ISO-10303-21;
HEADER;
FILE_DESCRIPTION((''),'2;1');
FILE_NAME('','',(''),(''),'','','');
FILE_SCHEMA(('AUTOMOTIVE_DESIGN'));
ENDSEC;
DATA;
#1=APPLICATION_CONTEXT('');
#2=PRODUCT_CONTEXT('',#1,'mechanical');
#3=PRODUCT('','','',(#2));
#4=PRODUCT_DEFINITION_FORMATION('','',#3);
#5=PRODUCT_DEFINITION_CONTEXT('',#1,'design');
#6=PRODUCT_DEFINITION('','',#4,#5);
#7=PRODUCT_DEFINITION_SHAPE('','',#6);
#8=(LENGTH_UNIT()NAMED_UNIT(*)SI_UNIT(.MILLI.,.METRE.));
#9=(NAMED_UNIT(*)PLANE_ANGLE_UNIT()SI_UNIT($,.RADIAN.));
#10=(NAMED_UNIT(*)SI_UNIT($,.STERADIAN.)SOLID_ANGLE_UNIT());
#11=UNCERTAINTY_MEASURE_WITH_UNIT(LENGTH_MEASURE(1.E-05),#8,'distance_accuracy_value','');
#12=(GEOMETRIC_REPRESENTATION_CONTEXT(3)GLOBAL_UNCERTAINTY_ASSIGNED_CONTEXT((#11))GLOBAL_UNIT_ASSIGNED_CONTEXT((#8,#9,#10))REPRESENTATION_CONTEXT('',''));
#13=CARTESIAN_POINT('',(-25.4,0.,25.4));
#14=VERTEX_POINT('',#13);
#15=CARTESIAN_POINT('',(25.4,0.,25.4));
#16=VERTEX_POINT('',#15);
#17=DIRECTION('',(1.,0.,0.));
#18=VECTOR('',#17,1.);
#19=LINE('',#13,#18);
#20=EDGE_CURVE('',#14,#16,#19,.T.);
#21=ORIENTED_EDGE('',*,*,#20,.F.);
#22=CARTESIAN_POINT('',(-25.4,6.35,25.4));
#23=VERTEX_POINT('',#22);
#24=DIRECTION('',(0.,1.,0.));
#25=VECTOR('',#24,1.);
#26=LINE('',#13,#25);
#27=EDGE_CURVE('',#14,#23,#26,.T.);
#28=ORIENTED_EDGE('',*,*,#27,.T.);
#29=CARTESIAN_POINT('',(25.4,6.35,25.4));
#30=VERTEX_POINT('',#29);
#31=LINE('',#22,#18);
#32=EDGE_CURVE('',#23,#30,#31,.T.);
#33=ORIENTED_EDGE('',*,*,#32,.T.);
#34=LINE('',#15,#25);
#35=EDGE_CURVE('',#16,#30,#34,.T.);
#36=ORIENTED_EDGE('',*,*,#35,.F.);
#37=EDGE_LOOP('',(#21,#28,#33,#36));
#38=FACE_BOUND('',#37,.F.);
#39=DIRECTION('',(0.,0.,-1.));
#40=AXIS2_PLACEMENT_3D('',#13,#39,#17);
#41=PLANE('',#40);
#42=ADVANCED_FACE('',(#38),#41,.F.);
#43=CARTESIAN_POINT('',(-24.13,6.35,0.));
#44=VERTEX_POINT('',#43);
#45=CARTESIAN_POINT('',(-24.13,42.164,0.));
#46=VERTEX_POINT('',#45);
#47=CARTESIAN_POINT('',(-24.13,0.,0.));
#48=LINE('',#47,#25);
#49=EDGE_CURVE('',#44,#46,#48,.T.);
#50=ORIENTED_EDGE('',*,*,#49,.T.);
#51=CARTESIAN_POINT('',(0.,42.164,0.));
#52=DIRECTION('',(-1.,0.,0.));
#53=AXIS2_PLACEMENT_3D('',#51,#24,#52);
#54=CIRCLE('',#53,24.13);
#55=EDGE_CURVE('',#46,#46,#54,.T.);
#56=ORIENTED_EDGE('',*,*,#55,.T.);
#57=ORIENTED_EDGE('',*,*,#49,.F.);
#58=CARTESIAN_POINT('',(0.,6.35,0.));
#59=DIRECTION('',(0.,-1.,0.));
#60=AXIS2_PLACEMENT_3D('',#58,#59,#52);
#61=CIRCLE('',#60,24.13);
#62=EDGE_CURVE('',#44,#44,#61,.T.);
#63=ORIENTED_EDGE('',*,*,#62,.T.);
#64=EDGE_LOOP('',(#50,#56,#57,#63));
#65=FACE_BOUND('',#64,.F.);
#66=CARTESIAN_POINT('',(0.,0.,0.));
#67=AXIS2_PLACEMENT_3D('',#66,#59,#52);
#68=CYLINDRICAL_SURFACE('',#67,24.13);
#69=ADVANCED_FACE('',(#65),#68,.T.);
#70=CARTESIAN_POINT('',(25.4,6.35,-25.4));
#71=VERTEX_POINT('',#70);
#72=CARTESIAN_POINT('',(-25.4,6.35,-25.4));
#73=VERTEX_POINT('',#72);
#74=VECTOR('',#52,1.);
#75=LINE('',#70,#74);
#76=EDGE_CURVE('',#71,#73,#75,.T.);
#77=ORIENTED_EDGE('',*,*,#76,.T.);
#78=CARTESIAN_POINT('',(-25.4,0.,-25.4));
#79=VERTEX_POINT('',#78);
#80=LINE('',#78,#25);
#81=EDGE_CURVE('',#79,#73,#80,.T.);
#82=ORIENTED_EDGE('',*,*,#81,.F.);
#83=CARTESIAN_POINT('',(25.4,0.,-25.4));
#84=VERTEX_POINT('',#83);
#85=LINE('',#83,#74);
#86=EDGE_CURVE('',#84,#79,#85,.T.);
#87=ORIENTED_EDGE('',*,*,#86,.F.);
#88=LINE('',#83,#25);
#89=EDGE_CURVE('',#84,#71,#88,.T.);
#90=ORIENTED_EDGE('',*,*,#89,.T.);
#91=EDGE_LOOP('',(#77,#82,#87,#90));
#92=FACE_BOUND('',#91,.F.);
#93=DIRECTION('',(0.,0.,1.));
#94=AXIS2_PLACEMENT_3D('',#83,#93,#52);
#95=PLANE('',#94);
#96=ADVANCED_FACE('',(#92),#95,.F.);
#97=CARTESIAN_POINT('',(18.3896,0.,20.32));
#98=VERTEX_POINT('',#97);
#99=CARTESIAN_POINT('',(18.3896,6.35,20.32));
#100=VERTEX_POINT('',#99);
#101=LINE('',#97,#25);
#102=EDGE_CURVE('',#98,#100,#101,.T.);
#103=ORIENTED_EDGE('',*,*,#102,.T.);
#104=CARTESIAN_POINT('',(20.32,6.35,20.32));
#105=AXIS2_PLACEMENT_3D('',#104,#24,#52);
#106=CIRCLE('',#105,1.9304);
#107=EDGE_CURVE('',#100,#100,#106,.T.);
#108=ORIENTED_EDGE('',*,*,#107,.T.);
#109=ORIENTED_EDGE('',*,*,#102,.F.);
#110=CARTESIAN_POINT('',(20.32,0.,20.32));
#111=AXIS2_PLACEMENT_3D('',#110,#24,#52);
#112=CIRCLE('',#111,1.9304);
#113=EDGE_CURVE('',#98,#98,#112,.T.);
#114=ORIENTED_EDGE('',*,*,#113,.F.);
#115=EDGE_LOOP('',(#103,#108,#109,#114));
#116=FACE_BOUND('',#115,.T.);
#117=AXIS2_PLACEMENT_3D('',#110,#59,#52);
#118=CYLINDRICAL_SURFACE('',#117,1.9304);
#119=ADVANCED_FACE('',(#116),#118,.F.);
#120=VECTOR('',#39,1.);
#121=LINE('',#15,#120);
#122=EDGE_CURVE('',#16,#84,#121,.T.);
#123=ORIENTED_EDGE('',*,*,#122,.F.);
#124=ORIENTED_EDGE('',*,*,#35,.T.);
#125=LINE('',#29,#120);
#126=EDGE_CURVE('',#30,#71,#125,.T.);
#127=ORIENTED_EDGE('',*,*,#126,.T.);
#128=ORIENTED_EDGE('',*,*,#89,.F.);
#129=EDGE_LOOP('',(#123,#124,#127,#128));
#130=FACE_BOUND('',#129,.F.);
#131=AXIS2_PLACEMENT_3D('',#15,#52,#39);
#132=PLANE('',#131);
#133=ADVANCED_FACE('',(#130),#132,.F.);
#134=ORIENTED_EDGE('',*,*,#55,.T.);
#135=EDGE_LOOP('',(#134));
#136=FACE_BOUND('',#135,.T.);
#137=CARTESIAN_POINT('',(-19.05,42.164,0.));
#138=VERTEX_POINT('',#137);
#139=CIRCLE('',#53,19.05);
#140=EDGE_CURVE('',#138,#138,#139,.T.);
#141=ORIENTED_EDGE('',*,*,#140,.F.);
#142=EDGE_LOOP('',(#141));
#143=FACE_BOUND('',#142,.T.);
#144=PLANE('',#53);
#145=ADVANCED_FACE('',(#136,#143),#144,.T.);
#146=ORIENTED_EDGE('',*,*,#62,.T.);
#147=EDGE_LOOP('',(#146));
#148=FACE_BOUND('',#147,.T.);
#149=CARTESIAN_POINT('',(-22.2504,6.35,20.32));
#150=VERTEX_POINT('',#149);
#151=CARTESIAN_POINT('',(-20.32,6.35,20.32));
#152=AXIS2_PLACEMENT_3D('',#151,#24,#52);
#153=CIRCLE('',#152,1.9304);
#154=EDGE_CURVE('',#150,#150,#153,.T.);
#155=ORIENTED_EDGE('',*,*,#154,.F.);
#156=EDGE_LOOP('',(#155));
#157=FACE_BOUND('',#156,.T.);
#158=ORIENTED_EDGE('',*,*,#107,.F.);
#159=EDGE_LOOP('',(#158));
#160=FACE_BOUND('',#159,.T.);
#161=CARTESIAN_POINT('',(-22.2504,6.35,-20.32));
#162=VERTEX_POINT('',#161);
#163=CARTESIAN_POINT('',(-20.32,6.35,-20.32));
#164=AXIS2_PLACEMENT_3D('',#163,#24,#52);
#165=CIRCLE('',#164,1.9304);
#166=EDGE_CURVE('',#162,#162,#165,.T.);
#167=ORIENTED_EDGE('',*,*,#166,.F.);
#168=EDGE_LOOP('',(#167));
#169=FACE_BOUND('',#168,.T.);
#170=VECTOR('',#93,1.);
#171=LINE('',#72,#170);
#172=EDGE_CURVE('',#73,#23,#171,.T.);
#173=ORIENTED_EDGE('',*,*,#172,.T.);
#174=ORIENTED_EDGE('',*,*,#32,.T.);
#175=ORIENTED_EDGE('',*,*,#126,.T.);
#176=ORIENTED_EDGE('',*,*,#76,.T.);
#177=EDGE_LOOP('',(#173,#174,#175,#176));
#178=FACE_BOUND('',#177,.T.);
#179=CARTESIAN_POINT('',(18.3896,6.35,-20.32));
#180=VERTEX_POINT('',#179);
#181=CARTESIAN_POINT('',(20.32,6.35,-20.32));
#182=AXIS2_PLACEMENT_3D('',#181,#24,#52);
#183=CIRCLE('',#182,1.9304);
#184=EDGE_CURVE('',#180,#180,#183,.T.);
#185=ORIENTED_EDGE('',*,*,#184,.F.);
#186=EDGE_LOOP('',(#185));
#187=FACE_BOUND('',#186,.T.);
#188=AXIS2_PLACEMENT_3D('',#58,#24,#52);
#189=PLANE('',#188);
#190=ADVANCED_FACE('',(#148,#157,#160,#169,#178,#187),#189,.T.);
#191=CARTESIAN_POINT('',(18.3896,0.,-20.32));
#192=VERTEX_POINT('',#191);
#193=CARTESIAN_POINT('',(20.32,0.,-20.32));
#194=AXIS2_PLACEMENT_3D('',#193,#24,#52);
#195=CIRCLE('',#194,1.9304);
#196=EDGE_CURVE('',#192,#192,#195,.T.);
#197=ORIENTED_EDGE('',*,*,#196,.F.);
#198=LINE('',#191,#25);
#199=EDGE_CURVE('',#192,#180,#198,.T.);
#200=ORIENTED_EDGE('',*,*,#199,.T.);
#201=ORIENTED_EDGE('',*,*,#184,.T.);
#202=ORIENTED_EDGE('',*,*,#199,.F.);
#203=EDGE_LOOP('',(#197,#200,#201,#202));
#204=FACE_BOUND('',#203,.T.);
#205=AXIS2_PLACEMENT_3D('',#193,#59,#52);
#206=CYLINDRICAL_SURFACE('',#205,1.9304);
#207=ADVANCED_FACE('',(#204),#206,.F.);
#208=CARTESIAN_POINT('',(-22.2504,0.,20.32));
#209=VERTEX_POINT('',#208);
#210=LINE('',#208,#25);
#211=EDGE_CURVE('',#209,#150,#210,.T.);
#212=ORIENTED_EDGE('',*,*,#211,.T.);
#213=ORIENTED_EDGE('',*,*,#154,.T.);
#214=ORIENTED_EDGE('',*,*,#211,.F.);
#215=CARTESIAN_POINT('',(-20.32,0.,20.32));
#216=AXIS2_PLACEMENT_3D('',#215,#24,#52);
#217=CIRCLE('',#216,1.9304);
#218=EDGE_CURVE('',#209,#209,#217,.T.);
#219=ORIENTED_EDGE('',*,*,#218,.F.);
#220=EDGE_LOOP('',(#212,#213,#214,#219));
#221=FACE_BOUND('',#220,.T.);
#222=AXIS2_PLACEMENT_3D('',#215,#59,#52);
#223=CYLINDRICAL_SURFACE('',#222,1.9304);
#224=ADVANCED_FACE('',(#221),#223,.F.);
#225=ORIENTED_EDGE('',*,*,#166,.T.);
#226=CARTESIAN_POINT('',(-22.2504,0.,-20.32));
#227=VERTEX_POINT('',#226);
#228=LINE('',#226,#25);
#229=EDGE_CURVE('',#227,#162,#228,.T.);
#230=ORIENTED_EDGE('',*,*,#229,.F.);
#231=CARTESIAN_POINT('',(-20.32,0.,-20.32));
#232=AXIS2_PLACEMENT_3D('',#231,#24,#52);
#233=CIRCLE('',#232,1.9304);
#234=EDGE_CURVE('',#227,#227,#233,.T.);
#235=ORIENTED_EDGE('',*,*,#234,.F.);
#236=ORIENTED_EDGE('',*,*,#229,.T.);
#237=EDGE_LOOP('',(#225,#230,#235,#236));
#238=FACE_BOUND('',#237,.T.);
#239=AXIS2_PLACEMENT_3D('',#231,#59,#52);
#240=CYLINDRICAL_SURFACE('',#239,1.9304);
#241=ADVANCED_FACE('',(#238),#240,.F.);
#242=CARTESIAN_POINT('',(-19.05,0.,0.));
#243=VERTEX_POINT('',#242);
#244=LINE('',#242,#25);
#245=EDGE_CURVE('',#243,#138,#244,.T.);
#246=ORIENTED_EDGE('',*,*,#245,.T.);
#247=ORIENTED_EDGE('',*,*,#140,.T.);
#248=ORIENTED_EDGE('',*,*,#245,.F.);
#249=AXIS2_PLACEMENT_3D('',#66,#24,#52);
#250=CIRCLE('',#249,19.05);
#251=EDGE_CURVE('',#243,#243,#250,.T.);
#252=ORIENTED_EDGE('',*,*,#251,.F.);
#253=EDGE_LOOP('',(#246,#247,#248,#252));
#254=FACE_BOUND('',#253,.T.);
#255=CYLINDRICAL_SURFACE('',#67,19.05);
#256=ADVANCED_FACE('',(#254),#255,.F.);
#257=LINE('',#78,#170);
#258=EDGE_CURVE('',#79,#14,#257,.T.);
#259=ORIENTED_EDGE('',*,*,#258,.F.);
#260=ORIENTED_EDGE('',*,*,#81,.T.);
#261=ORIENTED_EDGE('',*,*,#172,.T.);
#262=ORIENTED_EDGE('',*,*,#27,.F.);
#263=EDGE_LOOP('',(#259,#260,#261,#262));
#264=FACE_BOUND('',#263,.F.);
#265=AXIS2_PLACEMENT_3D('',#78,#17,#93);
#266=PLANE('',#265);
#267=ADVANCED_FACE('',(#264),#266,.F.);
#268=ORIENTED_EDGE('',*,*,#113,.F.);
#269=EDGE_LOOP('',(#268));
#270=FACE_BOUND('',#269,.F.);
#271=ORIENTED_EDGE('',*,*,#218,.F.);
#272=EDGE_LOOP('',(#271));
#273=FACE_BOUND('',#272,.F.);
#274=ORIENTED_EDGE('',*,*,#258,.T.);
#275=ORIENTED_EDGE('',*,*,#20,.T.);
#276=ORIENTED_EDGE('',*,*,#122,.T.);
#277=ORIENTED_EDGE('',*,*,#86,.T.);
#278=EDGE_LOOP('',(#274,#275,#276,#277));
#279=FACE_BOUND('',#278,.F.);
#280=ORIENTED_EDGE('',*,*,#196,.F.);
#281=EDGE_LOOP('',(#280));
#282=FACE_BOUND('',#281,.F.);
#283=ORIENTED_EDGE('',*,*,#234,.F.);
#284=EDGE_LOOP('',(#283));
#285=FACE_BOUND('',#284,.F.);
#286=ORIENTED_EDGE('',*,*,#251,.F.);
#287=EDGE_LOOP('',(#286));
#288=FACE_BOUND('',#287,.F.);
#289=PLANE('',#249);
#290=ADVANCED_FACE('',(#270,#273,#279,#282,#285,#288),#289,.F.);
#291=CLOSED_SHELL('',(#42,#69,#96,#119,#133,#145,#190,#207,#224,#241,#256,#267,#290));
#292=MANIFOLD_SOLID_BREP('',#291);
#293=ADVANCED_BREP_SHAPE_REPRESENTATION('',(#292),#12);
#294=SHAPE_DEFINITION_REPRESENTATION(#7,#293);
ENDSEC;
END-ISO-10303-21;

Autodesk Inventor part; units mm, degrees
ref_plane "YZ Plane" through (0, 0, 0) normal (1, 0, 0) x (0, 1, 0)
ref_plane "XZ Plane" through (0, 0, 0) normal (0, 1, 0) x (-1, 0, 0)
ref_plane "XY Plane" through (0, 0, 0) normal (0, 0, 1) x (1, 0, 0)
sketch "Sketch1" plane through (0, 0, 0) normal (0, 1, 0) x (-1, 0, 0)
  circle A0 centre (0, 0) radius 19.05
  circle A1 centre (0, 0) radius 24.13
  line L0 (25.4, 25.4) -> (-25.4, 25.4)
  line L1 (-25.4, 25.4) -> (-25.4, -25.4)
  line L2 (-25.4, -25.4) -> (25.4, -25.4)
  line L3 (25.4, -25.4) -> (25.4, 25.4)
  line L4 (-25.4, -25.4) -> (-12.1092, -25.4) construction
  circle A2 centre (-20.32, -20.32) radius 1.9304
  circle A3 centre (-20.32, 20.32) radius 1.9304
  circle A4 centre (20.32, -20.32) radius 1.9304
  circle A5 centre (20.32, 20.32) radius 1.9304
  dimension "d10" = 50.8
  dimension "d11" = 50.8
  dimension "d20" = 3.8608
  dimension "d25" = 3.8608
  dimension "d26" = 3.8608
  dimension "d27" = 3.8608
extrude "Extrusion1" add sketch "Sketch1" along normal blind 42.164 contours A1
extrude "Extrusion3" add sketch "Sketch1" along normal blind 6.35 contours A1 | L3 L2 L1 L0 | A2 | A3 | A4 | A5
extrude "Extrusion5" cut sketch "Sketch1" along normal blind 6.35 contours A2 | A3 | A4 | A5
properties part number "Cylinders"
